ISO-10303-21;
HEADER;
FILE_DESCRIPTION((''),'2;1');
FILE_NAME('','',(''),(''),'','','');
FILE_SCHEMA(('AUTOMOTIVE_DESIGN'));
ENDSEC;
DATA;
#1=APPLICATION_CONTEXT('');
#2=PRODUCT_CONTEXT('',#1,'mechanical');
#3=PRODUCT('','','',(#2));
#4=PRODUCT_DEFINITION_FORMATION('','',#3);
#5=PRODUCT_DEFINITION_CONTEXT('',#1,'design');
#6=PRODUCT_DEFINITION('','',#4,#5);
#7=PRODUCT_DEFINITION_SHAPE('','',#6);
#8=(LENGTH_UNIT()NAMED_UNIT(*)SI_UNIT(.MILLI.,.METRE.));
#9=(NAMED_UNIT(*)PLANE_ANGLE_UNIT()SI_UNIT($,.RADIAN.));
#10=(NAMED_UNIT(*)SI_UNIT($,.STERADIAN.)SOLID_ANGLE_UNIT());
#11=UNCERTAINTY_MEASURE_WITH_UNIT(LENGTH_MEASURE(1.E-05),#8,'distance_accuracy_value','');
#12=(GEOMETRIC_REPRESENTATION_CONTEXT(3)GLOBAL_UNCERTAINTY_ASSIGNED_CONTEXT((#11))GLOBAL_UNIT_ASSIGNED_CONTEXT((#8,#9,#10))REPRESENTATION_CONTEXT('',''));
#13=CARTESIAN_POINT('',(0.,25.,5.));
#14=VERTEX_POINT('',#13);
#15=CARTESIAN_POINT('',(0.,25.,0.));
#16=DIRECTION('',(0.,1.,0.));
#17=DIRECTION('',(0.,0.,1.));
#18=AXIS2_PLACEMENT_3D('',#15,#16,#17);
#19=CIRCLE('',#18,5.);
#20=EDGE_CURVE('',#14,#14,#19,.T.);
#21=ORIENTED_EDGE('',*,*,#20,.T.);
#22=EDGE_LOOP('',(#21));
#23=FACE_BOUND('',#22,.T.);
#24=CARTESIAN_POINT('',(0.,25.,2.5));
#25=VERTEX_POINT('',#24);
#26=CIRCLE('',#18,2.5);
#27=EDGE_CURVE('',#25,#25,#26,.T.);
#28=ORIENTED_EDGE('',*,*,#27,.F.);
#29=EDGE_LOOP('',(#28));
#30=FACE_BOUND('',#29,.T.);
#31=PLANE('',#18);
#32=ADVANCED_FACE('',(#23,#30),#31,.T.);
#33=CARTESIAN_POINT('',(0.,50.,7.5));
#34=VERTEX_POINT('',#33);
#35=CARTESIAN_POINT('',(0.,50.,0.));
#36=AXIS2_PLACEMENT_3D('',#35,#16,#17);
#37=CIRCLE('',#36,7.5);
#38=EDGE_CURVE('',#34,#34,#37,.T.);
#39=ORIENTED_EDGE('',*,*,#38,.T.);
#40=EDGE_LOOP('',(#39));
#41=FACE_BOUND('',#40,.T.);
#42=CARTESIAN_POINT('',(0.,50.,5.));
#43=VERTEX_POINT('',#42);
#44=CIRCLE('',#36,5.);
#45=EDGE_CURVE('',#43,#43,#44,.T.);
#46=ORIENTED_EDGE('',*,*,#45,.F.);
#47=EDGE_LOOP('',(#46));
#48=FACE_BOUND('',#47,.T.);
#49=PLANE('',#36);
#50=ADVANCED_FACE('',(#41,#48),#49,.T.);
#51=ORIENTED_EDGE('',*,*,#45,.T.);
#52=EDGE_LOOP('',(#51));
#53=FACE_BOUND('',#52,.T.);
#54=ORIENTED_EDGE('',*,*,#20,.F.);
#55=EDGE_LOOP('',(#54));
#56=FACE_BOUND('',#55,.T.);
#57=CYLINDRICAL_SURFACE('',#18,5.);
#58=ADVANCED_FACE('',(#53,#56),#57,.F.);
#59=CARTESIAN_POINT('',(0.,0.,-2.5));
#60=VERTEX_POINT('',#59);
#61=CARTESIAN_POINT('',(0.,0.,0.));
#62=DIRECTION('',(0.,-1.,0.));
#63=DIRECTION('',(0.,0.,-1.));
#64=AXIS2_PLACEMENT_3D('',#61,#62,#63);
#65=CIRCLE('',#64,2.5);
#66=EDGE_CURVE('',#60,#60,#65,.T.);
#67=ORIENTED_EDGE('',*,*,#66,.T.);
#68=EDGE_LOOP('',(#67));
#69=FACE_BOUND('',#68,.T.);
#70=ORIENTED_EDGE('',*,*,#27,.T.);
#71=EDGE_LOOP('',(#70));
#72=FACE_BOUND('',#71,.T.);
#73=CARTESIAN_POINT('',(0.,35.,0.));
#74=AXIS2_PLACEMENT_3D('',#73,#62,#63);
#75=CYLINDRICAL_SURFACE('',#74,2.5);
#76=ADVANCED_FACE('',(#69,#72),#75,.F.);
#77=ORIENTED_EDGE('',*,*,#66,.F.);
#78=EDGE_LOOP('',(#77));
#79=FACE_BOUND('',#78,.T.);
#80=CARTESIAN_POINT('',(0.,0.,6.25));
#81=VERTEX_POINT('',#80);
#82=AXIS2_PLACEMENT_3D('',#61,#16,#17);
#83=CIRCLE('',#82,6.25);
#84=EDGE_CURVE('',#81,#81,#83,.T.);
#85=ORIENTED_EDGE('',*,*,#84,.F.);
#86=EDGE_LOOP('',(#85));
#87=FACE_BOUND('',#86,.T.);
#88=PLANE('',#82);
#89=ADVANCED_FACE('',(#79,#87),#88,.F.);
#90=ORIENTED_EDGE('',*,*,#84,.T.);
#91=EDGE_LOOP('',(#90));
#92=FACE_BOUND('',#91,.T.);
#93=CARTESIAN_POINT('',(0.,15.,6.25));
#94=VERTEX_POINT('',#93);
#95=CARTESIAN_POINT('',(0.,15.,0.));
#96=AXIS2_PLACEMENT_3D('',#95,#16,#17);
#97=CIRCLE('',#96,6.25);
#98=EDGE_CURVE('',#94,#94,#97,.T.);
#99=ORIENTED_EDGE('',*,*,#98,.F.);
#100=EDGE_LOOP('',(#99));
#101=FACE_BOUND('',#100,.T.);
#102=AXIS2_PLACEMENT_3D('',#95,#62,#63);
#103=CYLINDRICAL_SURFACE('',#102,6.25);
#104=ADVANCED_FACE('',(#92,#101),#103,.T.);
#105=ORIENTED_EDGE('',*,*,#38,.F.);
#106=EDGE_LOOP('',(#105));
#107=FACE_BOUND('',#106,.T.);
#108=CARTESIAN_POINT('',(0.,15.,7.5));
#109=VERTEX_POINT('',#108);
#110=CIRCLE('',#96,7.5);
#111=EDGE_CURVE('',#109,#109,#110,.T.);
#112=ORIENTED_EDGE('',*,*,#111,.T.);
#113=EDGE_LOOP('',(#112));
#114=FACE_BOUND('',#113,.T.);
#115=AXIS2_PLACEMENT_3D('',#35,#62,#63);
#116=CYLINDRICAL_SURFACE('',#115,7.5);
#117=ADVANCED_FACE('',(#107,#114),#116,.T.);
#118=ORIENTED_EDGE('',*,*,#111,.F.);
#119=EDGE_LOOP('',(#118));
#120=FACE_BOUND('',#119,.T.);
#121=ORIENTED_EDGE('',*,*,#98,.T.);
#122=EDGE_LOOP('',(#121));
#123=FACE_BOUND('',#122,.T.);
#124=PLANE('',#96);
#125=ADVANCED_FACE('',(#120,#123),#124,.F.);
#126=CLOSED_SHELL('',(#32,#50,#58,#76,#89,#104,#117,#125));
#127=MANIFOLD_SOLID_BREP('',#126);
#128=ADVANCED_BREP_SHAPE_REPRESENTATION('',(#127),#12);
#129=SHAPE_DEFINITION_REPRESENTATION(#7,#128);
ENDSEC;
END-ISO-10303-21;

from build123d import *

# Parameters (mm, degrees)
SKETCH1_R           = 6.25
BOSS_EXTRUDE1_DEPTH = 15
SKETCH3_R           = 7.5
BOSS_EXTRUDE2_DEPTH = 35
SKETCH4_R           = 5
CUT_EXTRUDE1_DEPTH  = 25
SKETCH5_R           = 2.5
CUT_EXTRUDE2_DEPTH  = 35


with BuildPart() as part:
    # Sketch1 → Boss-Extrude1 (new body)
    with BuildSketch(Plane(origin=(0, 0, 0), x_dir=(1, 0, 0), z_dir=(0, 1, 0))):
        Circle(SKETCH1_R)
    extrude(amount=BOSS_EXTRUDE1_DEPTH)

    # Sketch3 → Boss-Extrude2 (add)
    with BuildSketch(Plane(origin=(0, 15, 0), x_dir=(1, 0, 0), z_dir=(0, 1, 0))):
        Circle(SKETCH3_R)
    extrude(amount=BOSS_EXTRUDE2_DEPTH)

    # Sketch4 → Cut-Extrude1 (cut)
    with BuildSketch(Plane(origin=(0, 50, 0), x_dir=(1, 0, 0), z_dir=(0, 1, 0))):
        Circle(SKETCH4_R)
    extrude(amount=-CUT_EXTRUDE1_DEPTH, mode=Mode.SUBTRACT)

    # Sketch5 → Cut-Extrude2 (cut)
    with BuildSketch(Plane(origin=(0, 0, 0), x_dir=(-1, 0, 0), z_dir=(0, -1, 0))):
        Circle(SKETCH5_R)
    extrude(amount=-CUT_EXTRUDE2_DEPTH, mode=Mode.SUBTRACT)


solid = part.part
